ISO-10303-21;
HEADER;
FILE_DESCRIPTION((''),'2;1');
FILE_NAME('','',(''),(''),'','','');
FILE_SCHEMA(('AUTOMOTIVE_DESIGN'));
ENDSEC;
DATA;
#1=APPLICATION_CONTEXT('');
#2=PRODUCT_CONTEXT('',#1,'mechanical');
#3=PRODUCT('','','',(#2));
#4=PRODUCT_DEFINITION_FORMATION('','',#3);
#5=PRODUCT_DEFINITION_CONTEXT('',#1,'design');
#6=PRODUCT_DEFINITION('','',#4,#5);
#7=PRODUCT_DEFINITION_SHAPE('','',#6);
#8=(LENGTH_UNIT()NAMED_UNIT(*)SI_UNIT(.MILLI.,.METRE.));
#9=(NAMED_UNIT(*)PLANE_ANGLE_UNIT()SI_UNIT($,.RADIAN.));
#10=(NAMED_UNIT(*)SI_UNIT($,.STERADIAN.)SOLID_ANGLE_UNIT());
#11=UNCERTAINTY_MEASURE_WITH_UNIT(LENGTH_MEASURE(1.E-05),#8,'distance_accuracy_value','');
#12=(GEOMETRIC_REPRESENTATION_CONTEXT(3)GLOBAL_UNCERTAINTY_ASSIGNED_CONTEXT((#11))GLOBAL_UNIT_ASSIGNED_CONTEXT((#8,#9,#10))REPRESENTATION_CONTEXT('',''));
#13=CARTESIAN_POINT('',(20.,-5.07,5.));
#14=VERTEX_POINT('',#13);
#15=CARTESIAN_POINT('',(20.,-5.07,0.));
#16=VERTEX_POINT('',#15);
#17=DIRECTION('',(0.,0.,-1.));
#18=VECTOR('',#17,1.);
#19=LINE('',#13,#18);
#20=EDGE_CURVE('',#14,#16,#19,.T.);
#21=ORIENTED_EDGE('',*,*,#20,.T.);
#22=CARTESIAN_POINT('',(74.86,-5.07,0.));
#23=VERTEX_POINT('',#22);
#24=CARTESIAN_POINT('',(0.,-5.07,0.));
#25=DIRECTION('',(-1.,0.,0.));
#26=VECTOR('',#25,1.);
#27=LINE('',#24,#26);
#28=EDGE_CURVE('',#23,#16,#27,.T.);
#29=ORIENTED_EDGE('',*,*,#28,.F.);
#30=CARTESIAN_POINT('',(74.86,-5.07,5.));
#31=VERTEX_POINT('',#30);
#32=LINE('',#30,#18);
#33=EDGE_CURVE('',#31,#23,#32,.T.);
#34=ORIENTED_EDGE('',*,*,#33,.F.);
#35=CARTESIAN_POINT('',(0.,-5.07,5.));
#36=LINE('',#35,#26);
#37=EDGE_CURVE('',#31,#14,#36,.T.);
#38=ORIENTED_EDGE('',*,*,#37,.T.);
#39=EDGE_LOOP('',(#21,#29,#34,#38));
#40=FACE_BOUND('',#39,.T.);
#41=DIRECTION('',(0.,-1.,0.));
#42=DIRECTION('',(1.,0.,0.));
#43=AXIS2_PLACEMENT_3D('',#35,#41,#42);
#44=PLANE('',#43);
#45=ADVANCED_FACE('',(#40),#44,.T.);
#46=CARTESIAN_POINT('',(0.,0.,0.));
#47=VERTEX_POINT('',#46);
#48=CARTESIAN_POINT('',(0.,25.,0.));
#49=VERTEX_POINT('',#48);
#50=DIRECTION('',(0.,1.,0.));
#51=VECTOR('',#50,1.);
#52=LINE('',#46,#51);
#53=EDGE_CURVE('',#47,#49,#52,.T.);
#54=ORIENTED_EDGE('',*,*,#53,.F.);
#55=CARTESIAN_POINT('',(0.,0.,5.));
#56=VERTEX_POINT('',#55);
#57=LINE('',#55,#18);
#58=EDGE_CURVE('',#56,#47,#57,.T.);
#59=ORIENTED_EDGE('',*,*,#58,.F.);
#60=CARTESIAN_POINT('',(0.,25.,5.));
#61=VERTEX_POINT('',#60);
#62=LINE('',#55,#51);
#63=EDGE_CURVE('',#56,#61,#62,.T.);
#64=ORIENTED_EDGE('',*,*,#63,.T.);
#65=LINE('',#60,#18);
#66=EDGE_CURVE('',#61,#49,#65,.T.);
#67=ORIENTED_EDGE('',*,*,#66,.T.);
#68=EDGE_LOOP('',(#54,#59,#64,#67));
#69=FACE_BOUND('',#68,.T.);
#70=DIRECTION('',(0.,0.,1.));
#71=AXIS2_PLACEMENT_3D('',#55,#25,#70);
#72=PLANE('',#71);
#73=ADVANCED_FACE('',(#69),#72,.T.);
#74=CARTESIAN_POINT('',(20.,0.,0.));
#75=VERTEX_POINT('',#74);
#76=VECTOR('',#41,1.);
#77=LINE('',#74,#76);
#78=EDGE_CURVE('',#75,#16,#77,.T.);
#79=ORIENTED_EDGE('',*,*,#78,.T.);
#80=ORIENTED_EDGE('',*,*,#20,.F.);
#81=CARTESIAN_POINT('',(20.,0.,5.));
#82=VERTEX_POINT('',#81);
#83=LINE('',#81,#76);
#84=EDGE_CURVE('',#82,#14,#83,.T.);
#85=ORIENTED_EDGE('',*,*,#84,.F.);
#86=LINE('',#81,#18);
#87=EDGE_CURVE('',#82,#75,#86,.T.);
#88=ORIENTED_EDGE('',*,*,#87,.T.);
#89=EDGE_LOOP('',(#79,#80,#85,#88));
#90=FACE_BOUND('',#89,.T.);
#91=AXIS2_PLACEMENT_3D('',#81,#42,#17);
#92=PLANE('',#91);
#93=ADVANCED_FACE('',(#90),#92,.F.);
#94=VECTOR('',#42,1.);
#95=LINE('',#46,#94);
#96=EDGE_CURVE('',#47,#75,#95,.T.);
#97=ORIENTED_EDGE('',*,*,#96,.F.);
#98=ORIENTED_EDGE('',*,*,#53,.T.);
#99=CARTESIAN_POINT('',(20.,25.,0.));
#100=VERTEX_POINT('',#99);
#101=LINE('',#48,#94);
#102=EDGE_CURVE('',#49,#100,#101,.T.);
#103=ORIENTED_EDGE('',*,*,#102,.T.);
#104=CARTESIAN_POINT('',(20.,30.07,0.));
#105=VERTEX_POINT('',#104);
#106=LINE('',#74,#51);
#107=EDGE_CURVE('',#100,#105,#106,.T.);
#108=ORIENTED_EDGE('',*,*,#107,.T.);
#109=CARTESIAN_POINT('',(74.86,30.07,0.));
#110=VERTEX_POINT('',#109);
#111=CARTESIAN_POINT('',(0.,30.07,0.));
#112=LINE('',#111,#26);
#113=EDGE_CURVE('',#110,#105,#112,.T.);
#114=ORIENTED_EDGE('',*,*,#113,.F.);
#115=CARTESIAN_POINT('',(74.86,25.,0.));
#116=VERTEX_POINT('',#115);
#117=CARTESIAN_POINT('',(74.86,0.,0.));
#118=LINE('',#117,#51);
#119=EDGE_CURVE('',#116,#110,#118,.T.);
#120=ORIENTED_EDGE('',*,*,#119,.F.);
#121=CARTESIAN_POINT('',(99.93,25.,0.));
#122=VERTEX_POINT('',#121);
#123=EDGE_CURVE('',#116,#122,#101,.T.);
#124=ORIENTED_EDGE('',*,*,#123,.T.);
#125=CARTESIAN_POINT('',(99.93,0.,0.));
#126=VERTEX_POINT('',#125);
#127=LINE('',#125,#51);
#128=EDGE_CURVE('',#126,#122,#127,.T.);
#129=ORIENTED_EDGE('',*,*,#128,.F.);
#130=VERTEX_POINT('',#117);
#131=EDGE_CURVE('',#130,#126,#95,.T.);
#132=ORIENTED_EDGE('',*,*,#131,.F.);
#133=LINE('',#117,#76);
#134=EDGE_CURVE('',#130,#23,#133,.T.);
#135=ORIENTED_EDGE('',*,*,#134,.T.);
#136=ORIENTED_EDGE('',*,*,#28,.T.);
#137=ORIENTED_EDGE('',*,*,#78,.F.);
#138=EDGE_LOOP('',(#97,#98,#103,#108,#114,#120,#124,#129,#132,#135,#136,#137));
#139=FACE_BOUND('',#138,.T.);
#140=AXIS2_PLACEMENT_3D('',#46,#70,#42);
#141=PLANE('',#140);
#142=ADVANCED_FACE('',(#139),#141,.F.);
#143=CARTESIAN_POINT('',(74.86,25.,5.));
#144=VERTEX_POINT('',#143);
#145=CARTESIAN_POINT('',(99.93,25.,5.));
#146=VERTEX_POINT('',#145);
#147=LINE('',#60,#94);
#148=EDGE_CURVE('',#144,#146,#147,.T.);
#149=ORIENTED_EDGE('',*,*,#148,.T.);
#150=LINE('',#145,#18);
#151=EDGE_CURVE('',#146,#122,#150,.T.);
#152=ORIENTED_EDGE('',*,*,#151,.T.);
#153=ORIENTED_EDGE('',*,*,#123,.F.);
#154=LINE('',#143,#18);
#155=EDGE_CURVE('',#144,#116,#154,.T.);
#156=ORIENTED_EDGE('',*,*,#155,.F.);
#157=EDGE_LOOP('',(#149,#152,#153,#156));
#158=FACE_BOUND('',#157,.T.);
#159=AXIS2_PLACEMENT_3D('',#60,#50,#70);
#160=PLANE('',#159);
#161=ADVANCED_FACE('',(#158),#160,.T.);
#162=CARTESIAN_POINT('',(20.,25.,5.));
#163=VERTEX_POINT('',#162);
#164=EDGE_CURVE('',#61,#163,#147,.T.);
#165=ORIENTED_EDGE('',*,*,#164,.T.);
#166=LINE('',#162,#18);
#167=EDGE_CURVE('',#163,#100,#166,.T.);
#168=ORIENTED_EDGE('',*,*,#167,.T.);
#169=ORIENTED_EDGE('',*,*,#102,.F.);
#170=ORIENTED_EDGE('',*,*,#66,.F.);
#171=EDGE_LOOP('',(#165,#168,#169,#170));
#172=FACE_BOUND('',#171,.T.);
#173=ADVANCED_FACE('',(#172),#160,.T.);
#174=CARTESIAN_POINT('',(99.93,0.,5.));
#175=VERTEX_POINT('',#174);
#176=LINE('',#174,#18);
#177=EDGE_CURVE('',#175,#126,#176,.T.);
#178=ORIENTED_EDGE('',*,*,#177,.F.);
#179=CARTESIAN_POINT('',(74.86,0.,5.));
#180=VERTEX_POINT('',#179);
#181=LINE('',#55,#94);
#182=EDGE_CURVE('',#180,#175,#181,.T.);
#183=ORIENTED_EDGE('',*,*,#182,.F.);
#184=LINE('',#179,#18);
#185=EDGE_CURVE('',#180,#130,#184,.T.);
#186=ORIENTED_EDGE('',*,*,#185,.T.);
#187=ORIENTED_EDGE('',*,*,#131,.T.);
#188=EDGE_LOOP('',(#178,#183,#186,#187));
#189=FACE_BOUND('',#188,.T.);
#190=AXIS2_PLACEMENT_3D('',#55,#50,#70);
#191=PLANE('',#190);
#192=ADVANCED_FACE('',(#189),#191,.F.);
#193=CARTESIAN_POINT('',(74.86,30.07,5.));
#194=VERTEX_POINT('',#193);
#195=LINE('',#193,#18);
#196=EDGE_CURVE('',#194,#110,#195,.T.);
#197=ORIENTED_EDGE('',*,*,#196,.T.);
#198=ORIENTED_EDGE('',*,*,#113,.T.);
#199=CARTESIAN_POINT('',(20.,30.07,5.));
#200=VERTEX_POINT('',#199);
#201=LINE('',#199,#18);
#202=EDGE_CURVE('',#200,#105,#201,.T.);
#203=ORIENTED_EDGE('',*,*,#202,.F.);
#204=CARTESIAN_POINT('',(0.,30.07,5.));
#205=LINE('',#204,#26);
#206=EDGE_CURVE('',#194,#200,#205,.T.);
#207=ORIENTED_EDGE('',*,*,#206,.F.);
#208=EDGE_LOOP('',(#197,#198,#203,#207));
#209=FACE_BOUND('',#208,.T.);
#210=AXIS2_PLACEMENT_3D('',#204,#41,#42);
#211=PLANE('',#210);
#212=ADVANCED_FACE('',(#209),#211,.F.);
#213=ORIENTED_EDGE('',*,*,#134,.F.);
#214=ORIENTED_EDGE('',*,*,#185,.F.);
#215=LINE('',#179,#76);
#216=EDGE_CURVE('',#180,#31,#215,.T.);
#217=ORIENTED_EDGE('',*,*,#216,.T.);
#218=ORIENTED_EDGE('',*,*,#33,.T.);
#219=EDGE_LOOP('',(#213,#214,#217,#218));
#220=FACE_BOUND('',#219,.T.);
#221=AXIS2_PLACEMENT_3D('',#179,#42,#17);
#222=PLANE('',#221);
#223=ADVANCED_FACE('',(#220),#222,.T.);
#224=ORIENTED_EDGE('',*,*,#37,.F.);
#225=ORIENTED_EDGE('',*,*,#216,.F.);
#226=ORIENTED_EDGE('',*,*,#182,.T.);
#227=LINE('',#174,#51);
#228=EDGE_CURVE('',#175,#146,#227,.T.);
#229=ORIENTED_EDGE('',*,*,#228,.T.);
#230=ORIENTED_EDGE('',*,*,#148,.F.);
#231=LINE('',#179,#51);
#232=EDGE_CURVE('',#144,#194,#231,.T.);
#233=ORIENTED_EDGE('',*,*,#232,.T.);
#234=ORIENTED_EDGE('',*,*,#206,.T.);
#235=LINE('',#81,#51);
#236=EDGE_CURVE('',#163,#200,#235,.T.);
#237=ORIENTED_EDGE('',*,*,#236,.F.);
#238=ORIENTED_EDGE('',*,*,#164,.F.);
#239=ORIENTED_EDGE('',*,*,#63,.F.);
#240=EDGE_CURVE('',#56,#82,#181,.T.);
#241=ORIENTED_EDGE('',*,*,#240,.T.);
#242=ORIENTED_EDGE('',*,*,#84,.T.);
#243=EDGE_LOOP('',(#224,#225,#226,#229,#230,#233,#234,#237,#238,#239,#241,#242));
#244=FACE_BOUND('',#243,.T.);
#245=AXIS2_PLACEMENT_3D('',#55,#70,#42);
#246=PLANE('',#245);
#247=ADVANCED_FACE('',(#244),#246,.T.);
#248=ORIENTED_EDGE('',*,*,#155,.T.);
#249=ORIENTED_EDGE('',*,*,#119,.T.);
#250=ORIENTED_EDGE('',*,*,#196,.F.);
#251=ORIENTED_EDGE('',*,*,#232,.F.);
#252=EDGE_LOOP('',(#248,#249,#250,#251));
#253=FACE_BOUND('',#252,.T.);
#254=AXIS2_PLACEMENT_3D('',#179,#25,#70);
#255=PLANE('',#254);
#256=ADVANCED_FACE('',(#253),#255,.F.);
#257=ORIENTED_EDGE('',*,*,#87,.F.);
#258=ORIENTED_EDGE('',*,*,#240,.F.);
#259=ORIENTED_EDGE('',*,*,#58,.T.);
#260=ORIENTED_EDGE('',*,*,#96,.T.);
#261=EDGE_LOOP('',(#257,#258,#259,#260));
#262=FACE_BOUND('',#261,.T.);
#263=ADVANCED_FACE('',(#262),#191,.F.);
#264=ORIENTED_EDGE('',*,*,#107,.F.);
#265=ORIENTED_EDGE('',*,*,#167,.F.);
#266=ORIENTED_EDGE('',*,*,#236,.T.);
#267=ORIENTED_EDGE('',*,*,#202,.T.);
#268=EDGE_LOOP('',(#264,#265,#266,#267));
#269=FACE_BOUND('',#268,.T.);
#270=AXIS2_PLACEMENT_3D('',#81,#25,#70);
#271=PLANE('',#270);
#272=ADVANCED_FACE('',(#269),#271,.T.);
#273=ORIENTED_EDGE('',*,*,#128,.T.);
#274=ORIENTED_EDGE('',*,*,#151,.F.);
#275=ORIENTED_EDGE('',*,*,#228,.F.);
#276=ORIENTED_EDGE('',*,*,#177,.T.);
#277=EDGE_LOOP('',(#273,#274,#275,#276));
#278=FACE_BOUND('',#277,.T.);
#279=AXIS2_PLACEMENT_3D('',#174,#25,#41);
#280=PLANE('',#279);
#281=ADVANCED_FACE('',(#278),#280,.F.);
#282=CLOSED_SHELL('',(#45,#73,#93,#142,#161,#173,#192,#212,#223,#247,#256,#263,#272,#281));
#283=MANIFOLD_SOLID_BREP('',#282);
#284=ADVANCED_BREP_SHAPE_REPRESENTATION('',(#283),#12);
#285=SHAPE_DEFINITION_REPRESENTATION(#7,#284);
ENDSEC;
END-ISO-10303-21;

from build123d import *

# Parameters (mm, degrees)
SKETCH_1_W      = 99.93
SKETCH_1_H      = 25
SKETCH_1_W_2    = 54.86
SKETCH_1_H_2    = 5.07
EXTRUDE_1_DEPTH = 5


with BuildPart() as part:
    # ｽｹｯﾁ1 → ﾎﾞｽ - 押し出し1 (new body)
    with BuildSketch(Plane.XY):
        with Locations((49.965, 12.5)):
            Rectangle(SKETCH_1_W, SKETCH_1_H)
        with Locations((47.43, 27.535)):
            Rectangle(SKETCH_1_W_2, SKETCH_1_H_2)
        with Locations((47.43, -2.535)):
            Rectangle(SKETCH_1_W_2, SKETCH_1_H_2)
    extrude(amount=EXTRUDE_1_DEPTH)


solid = part.part
